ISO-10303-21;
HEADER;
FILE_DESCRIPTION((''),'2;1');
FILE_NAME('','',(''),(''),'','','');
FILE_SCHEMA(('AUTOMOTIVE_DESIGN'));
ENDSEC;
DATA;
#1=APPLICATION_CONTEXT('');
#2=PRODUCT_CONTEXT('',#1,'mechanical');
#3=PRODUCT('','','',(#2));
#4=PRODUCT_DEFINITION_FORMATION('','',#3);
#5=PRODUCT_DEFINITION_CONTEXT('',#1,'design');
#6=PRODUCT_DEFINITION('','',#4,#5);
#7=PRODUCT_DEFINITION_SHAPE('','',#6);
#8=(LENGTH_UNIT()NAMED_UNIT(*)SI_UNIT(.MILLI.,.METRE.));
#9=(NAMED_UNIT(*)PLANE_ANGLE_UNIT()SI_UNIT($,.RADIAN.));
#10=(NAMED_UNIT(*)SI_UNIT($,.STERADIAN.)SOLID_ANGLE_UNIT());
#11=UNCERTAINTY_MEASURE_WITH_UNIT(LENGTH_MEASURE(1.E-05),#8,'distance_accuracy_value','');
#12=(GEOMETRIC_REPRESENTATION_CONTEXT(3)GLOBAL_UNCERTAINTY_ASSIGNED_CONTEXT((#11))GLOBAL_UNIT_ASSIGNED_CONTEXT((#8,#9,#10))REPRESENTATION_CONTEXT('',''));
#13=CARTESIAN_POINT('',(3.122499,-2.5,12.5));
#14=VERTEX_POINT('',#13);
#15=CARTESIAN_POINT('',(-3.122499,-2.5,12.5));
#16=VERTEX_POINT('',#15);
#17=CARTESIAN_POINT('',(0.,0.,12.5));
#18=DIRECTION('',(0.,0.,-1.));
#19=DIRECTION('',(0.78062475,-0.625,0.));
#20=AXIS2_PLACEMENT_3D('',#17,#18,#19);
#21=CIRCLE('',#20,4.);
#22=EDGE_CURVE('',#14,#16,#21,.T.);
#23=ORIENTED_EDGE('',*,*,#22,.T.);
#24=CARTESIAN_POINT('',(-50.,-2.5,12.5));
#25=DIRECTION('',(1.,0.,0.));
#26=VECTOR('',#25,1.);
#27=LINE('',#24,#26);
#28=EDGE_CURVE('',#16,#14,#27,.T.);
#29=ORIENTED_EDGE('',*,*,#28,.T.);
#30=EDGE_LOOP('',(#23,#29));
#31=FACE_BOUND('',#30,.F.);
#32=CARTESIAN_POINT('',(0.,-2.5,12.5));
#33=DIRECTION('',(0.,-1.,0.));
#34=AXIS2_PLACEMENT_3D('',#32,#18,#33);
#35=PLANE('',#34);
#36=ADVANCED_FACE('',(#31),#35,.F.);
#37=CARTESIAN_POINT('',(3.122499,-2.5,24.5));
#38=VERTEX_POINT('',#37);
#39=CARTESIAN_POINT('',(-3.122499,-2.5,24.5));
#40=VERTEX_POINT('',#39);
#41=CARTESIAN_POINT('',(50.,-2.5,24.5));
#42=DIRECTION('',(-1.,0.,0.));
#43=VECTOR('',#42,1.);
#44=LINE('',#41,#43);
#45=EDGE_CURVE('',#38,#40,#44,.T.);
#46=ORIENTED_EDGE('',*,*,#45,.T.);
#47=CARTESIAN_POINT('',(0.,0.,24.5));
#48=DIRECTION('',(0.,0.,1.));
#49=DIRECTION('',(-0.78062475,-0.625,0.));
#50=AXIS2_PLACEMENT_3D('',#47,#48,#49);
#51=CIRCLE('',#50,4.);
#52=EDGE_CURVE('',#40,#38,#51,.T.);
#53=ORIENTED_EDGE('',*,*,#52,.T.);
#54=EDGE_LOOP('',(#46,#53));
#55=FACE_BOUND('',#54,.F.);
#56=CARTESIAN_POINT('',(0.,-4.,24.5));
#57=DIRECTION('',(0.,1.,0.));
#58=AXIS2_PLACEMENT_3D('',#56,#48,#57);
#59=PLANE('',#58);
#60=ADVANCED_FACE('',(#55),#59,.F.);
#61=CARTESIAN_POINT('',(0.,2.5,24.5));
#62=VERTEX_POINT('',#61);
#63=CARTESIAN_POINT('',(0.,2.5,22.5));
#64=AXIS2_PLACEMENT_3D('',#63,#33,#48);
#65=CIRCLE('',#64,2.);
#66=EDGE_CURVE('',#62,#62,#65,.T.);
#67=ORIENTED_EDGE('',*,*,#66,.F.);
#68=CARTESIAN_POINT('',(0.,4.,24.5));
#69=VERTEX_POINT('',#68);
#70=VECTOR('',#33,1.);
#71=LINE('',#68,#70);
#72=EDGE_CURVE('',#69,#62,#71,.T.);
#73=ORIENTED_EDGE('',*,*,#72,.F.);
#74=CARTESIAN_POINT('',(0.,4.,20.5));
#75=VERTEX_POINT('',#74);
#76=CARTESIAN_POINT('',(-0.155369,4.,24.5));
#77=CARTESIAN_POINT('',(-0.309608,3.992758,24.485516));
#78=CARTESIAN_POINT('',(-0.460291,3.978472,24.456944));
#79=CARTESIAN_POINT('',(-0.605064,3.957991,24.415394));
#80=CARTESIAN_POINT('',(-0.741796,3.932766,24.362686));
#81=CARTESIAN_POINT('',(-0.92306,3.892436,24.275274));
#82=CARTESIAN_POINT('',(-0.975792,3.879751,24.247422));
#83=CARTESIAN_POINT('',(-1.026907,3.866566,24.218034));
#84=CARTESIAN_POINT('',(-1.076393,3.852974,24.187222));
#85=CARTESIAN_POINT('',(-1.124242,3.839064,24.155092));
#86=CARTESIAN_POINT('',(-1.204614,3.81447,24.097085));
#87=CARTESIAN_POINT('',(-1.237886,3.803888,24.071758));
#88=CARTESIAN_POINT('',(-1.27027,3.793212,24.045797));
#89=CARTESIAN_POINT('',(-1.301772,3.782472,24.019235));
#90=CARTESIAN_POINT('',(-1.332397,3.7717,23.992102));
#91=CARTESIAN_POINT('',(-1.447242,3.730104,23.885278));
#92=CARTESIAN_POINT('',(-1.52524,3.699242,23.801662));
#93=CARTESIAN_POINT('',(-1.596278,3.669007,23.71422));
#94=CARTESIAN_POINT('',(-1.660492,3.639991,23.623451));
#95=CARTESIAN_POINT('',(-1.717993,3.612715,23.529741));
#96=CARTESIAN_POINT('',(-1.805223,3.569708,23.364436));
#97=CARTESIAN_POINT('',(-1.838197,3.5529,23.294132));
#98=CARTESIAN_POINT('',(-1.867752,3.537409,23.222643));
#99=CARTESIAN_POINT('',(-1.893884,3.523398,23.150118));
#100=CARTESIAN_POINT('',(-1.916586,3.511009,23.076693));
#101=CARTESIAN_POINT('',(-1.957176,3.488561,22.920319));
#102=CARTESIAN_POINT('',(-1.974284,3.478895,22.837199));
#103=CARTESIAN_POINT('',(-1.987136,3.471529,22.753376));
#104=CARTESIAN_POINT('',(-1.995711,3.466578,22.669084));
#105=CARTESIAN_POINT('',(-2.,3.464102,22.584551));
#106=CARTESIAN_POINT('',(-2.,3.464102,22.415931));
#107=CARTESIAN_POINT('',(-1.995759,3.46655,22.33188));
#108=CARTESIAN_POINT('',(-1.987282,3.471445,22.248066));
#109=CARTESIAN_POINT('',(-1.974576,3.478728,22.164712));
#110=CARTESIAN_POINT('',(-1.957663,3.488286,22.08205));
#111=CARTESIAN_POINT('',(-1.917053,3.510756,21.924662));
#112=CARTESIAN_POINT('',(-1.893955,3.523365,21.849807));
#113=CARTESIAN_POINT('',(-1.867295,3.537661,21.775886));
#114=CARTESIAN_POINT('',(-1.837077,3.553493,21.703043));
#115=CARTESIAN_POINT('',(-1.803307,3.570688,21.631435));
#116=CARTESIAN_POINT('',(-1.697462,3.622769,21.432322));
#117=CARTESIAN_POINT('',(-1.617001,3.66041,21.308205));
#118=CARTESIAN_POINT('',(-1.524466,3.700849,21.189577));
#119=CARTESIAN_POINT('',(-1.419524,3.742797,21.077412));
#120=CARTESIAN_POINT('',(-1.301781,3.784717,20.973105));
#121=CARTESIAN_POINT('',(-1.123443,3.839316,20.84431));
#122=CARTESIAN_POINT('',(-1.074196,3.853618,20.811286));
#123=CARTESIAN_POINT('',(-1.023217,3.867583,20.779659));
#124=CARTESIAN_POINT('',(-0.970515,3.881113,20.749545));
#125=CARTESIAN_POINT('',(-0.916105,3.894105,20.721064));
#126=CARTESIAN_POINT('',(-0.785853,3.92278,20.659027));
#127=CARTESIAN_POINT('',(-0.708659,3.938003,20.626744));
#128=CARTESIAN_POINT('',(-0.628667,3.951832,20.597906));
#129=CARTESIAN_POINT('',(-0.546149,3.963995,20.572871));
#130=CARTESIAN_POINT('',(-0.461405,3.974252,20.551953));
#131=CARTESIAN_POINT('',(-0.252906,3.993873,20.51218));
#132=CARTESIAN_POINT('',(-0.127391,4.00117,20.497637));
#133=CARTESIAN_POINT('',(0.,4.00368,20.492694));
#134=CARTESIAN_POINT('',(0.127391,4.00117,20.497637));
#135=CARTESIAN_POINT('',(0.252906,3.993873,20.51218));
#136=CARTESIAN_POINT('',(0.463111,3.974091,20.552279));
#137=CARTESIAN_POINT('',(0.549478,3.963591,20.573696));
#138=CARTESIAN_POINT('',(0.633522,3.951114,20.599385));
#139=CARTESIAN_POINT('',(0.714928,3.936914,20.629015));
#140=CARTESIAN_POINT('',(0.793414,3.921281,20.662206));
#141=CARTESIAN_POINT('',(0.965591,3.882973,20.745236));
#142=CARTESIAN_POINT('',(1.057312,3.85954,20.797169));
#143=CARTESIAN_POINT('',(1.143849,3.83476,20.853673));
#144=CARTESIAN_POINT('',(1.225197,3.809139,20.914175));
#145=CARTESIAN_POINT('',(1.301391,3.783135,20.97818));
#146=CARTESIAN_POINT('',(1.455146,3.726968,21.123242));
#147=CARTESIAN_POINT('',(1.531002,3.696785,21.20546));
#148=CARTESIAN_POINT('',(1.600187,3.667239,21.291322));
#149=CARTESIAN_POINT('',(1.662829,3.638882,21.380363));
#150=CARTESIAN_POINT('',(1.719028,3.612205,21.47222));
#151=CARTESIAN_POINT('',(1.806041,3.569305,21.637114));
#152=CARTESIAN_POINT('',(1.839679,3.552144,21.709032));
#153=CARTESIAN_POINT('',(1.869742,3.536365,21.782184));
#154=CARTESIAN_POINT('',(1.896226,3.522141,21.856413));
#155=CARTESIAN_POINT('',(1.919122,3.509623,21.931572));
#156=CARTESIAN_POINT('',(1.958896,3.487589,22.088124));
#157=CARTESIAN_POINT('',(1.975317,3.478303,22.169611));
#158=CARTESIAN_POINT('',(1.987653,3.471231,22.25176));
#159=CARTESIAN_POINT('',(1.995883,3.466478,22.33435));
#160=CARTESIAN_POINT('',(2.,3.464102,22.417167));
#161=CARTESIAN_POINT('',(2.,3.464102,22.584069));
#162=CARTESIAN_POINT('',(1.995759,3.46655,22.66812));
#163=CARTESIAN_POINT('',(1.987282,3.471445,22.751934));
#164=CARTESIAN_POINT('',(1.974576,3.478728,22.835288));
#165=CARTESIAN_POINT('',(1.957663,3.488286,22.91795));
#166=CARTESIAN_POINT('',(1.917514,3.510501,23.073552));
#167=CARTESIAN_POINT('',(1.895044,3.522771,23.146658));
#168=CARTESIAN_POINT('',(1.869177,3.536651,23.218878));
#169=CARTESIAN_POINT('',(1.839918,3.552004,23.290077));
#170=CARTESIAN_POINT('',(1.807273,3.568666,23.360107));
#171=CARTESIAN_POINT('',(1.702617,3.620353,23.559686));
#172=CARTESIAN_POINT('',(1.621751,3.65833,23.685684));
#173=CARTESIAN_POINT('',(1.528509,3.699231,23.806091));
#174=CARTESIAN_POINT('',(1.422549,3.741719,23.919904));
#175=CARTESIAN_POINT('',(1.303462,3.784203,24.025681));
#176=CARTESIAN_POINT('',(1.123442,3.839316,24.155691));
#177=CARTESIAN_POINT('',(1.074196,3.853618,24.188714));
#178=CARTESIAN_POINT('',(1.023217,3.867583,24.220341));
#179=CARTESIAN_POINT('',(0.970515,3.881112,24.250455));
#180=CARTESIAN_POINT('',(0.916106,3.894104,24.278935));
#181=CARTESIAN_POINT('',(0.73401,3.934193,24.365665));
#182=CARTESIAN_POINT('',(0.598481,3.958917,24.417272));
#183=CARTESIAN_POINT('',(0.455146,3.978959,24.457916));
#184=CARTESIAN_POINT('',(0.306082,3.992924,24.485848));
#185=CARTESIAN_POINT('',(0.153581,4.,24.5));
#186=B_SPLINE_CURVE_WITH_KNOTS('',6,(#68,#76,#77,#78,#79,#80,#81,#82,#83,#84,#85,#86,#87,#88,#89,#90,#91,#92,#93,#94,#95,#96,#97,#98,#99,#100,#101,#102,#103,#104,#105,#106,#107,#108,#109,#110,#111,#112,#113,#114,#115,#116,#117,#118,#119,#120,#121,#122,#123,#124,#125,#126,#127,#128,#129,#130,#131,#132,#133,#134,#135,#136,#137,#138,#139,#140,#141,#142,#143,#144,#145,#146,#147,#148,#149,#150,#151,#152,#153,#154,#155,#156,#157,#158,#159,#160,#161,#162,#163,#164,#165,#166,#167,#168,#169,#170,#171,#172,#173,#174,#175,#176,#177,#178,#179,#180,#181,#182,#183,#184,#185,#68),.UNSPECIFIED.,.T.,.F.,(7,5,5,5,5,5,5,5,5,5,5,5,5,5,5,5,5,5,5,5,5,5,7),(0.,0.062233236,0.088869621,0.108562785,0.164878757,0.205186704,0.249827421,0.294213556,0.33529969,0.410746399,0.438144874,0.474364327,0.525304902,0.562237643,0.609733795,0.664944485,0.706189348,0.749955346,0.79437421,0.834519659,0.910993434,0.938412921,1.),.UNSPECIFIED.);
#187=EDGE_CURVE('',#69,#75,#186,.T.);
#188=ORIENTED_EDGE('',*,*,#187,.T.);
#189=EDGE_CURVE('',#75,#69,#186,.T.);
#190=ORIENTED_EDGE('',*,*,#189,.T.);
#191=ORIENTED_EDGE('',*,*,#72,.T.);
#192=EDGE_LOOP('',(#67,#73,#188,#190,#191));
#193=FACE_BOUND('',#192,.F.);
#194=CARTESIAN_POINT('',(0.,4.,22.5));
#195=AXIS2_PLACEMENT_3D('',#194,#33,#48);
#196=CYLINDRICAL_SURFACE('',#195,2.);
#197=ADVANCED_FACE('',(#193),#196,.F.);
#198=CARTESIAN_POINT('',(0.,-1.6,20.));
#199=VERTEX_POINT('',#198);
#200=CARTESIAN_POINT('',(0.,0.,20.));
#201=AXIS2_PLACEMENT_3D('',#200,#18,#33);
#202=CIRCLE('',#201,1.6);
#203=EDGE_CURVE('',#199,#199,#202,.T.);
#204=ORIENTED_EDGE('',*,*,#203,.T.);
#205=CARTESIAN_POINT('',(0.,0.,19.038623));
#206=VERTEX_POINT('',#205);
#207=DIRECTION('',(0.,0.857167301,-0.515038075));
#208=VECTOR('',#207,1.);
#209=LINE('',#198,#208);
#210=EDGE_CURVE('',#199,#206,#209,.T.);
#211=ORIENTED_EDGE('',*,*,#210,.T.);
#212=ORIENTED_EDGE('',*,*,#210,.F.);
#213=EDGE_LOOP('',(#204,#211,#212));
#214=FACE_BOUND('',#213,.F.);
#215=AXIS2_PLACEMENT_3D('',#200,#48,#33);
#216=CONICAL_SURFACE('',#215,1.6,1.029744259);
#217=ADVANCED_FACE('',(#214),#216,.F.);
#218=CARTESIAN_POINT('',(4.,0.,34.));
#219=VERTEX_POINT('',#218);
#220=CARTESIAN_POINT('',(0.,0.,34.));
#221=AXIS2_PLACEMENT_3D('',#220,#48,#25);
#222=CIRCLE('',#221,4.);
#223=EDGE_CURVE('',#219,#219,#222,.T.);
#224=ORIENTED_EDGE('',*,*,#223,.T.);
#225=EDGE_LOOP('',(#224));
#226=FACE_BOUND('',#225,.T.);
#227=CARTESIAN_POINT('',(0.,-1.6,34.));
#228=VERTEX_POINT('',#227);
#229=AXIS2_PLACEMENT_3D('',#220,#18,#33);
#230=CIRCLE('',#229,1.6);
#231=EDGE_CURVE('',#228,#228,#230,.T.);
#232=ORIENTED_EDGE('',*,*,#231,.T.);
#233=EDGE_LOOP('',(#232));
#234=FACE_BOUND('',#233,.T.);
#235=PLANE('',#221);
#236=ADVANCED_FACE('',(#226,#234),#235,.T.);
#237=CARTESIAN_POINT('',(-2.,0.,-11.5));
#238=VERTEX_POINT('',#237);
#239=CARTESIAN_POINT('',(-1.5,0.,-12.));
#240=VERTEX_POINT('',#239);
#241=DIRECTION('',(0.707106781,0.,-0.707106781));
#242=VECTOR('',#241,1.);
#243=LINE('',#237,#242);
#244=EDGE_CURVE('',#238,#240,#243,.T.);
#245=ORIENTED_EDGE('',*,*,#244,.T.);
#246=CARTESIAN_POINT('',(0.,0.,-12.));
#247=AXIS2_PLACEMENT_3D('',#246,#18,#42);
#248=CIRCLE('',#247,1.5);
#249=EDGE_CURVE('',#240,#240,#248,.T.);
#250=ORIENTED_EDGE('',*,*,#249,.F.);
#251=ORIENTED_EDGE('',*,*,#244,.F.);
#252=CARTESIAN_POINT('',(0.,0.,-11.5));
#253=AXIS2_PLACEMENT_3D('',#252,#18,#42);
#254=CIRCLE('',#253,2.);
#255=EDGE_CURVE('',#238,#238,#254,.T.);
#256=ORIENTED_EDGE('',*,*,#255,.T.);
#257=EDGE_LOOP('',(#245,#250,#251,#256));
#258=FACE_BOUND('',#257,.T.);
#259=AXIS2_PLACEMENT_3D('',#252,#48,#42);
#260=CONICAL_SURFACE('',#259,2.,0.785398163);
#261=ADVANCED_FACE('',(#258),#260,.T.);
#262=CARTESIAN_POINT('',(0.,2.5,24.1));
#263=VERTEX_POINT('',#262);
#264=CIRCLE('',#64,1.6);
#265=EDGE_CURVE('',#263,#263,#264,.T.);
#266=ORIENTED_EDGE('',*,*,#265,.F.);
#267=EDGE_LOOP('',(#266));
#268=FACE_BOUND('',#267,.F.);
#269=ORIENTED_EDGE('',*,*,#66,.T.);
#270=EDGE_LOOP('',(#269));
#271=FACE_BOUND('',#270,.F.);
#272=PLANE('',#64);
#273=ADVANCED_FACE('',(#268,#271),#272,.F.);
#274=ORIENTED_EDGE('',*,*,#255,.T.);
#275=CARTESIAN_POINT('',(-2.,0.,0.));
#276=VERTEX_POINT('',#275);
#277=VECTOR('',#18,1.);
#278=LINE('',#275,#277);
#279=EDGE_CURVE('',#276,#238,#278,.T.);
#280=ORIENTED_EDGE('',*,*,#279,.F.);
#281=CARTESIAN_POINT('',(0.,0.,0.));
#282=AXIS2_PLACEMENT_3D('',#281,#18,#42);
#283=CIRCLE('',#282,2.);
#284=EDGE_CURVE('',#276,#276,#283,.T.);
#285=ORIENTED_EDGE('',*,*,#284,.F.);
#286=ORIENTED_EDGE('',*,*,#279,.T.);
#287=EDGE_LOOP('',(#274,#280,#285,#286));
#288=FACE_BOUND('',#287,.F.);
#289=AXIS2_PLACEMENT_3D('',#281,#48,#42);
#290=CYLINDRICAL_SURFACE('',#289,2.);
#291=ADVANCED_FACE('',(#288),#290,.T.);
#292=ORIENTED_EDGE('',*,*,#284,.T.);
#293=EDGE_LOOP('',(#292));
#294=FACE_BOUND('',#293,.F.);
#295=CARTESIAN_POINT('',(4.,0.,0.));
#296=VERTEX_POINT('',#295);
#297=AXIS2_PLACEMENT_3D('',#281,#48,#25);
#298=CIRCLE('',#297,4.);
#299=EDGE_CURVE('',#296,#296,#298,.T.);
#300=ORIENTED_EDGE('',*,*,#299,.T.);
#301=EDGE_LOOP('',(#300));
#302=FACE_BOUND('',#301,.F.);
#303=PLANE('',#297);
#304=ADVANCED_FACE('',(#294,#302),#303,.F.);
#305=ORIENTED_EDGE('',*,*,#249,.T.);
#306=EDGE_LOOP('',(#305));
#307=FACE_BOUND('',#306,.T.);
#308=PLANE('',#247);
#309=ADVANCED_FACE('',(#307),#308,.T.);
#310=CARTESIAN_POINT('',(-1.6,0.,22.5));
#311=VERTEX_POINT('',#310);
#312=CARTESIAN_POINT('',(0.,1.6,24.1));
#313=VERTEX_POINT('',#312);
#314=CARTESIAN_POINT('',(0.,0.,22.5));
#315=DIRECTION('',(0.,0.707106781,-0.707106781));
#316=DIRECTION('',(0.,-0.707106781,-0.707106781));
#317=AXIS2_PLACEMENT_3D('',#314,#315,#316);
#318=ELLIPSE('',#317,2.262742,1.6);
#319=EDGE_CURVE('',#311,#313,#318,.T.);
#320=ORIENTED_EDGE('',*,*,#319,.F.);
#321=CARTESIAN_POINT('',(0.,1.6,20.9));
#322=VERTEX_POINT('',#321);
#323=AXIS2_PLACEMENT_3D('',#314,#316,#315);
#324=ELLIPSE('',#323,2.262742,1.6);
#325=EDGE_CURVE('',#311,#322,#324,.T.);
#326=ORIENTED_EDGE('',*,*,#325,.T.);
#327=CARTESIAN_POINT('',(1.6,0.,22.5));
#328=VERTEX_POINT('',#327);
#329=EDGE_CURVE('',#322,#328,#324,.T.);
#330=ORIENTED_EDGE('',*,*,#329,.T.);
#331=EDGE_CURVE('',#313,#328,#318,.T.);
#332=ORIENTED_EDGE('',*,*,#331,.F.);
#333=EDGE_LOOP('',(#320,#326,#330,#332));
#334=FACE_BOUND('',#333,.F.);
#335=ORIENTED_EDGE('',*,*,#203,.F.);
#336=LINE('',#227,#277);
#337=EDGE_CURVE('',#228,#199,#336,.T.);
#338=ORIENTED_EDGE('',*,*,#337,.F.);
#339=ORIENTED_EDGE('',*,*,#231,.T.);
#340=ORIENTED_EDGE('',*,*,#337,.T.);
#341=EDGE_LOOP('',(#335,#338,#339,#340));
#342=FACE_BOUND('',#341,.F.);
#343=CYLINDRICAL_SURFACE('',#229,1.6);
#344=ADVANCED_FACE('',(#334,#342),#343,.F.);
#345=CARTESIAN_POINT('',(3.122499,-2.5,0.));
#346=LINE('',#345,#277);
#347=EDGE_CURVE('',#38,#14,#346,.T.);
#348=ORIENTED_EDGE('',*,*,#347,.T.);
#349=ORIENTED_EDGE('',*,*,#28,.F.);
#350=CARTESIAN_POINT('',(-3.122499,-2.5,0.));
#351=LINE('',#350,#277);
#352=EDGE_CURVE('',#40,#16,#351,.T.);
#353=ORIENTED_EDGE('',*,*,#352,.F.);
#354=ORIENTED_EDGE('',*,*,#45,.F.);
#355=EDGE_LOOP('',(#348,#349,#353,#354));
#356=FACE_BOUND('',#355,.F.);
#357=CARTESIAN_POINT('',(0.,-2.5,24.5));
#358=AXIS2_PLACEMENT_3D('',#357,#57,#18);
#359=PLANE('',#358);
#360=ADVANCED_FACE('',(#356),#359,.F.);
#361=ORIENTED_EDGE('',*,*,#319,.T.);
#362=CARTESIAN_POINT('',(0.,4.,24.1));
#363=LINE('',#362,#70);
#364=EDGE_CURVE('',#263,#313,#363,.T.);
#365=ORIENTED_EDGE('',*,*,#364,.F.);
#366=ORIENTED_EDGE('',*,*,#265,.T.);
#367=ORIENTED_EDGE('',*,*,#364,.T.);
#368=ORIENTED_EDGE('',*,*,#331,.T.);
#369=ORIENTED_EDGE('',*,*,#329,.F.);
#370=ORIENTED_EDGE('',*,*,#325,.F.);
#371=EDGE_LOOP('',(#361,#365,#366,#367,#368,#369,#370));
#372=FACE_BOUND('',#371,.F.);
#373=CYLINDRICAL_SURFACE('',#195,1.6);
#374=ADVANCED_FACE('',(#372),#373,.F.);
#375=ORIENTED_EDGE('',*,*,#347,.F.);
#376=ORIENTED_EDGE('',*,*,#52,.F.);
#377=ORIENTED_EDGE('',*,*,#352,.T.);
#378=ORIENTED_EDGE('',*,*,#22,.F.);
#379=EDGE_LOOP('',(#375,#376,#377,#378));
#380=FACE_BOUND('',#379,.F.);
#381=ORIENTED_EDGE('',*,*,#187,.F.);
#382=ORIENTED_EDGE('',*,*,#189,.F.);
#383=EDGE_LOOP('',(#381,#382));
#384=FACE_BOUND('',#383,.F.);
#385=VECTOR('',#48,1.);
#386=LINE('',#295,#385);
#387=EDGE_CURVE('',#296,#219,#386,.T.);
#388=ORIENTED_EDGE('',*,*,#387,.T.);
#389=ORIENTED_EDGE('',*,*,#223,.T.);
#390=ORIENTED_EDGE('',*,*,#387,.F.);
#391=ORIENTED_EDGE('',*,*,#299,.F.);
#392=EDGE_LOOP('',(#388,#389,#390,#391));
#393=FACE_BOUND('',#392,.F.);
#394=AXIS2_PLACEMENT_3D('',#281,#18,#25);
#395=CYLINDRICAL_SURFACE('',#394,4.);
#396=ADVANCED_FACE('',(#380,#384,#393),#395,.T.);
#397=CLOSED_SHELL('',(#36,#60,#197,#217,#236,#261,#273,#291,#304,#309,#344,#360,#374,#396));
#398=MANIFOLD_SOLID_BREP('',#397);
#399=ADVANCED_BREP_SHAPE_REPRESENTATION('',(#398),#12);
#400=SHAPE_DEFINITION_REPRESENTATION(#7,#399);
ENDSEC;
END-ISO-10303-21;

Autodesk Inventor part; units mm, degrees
sketch "Sketch1" plane through (0, 0, 0) normal (0, 0, 1) x (1, 0, 0)
  circle A0 centre (0, 0) radius 4
  dimension "d0" = 8
extrude "Extrusion1" add sketch "Sketch1" along normal blind 34
sketch "Sketch2" plane through (0, 0, 0) normal (0, 0, -1) x (-1, 0, 0)
  circle A0 centre (0, 0) radius 2
  dimension "d3" = 4
extrude "Extrusion2" add sketch "Sketch2" along normal blind 12
chamfer "Chamfer1" distance 0.5 angle 45 1 edges at (2, 0, -12)
sketch "Sketch3" plane through (0, 0, 34) normal (0, 0, 1) x (1, 0, 0)
  line L0 (0, 0) -> (0, 4)
  circle A0 centre (0, 0) radius 4 projected
hole "Hole1" at (0, 0, 34) direction (0, 0, -1) diameter 3.2 depth 14 tip angle 118
ref_plane "Work Plane1" through (0, 4, 34) normal (0, 1, 0) x (-1, 0, 0)
ref_plane "Work Plane2" through (0, 0, 0) normal (1, 0, 0) x (0, 1, 0)
sketch "Sketch5" plane through (0, 0, 0) normal (1, 0, 0) x (0, 1, 0)
  line L0 (-4, 0) -> (-4, 34) projected
  line L1 (-4, 24.5) -> (-2.5, 24.5)
  line L2 (-2.5, 24.5) -> (-2.5, 12.5)
  line L3 (-2.5, 12.5) -> (-4, 12.5)
  line L4 (-4, 12.5) -> (-4, 24.5)
  line L5 (4, 34) -> (-4, 34) projected
  point P0 (0, 0)
  dimension "d19" = 12
  dimension "d20" = 9.5
  dimension "d21" = 1.5
extrude "Extrusion3" cut sketch "Sketch5" along normal mid plane 100
ref_plane "Work Plane3" through (0, 4, 0) normal (0, 1, 0) x (-1, 0, 0)
sketch "Sketch6" plane through (0, 4, 0) normal (0, 1, 0) x (-1, 0, 0)
  line L0 (4, 34) -> (-4, 34) projected
  line L1 (0, 34) -> (0, 22.5)
  point P0 (0, 0)
  dimension "d25" = 11.5
hole "Hole2" at (0, 4, 22.5) direction (0, -1, 0) diameter 4 depth 1.5
hole "Hole3" at (0, 4, 22.5) direction (0, -1, 0) diameter 3.2 depth 4 tip angle 118
properties part number "KURBELWELLE PART 7" material "Stainless Steel"
